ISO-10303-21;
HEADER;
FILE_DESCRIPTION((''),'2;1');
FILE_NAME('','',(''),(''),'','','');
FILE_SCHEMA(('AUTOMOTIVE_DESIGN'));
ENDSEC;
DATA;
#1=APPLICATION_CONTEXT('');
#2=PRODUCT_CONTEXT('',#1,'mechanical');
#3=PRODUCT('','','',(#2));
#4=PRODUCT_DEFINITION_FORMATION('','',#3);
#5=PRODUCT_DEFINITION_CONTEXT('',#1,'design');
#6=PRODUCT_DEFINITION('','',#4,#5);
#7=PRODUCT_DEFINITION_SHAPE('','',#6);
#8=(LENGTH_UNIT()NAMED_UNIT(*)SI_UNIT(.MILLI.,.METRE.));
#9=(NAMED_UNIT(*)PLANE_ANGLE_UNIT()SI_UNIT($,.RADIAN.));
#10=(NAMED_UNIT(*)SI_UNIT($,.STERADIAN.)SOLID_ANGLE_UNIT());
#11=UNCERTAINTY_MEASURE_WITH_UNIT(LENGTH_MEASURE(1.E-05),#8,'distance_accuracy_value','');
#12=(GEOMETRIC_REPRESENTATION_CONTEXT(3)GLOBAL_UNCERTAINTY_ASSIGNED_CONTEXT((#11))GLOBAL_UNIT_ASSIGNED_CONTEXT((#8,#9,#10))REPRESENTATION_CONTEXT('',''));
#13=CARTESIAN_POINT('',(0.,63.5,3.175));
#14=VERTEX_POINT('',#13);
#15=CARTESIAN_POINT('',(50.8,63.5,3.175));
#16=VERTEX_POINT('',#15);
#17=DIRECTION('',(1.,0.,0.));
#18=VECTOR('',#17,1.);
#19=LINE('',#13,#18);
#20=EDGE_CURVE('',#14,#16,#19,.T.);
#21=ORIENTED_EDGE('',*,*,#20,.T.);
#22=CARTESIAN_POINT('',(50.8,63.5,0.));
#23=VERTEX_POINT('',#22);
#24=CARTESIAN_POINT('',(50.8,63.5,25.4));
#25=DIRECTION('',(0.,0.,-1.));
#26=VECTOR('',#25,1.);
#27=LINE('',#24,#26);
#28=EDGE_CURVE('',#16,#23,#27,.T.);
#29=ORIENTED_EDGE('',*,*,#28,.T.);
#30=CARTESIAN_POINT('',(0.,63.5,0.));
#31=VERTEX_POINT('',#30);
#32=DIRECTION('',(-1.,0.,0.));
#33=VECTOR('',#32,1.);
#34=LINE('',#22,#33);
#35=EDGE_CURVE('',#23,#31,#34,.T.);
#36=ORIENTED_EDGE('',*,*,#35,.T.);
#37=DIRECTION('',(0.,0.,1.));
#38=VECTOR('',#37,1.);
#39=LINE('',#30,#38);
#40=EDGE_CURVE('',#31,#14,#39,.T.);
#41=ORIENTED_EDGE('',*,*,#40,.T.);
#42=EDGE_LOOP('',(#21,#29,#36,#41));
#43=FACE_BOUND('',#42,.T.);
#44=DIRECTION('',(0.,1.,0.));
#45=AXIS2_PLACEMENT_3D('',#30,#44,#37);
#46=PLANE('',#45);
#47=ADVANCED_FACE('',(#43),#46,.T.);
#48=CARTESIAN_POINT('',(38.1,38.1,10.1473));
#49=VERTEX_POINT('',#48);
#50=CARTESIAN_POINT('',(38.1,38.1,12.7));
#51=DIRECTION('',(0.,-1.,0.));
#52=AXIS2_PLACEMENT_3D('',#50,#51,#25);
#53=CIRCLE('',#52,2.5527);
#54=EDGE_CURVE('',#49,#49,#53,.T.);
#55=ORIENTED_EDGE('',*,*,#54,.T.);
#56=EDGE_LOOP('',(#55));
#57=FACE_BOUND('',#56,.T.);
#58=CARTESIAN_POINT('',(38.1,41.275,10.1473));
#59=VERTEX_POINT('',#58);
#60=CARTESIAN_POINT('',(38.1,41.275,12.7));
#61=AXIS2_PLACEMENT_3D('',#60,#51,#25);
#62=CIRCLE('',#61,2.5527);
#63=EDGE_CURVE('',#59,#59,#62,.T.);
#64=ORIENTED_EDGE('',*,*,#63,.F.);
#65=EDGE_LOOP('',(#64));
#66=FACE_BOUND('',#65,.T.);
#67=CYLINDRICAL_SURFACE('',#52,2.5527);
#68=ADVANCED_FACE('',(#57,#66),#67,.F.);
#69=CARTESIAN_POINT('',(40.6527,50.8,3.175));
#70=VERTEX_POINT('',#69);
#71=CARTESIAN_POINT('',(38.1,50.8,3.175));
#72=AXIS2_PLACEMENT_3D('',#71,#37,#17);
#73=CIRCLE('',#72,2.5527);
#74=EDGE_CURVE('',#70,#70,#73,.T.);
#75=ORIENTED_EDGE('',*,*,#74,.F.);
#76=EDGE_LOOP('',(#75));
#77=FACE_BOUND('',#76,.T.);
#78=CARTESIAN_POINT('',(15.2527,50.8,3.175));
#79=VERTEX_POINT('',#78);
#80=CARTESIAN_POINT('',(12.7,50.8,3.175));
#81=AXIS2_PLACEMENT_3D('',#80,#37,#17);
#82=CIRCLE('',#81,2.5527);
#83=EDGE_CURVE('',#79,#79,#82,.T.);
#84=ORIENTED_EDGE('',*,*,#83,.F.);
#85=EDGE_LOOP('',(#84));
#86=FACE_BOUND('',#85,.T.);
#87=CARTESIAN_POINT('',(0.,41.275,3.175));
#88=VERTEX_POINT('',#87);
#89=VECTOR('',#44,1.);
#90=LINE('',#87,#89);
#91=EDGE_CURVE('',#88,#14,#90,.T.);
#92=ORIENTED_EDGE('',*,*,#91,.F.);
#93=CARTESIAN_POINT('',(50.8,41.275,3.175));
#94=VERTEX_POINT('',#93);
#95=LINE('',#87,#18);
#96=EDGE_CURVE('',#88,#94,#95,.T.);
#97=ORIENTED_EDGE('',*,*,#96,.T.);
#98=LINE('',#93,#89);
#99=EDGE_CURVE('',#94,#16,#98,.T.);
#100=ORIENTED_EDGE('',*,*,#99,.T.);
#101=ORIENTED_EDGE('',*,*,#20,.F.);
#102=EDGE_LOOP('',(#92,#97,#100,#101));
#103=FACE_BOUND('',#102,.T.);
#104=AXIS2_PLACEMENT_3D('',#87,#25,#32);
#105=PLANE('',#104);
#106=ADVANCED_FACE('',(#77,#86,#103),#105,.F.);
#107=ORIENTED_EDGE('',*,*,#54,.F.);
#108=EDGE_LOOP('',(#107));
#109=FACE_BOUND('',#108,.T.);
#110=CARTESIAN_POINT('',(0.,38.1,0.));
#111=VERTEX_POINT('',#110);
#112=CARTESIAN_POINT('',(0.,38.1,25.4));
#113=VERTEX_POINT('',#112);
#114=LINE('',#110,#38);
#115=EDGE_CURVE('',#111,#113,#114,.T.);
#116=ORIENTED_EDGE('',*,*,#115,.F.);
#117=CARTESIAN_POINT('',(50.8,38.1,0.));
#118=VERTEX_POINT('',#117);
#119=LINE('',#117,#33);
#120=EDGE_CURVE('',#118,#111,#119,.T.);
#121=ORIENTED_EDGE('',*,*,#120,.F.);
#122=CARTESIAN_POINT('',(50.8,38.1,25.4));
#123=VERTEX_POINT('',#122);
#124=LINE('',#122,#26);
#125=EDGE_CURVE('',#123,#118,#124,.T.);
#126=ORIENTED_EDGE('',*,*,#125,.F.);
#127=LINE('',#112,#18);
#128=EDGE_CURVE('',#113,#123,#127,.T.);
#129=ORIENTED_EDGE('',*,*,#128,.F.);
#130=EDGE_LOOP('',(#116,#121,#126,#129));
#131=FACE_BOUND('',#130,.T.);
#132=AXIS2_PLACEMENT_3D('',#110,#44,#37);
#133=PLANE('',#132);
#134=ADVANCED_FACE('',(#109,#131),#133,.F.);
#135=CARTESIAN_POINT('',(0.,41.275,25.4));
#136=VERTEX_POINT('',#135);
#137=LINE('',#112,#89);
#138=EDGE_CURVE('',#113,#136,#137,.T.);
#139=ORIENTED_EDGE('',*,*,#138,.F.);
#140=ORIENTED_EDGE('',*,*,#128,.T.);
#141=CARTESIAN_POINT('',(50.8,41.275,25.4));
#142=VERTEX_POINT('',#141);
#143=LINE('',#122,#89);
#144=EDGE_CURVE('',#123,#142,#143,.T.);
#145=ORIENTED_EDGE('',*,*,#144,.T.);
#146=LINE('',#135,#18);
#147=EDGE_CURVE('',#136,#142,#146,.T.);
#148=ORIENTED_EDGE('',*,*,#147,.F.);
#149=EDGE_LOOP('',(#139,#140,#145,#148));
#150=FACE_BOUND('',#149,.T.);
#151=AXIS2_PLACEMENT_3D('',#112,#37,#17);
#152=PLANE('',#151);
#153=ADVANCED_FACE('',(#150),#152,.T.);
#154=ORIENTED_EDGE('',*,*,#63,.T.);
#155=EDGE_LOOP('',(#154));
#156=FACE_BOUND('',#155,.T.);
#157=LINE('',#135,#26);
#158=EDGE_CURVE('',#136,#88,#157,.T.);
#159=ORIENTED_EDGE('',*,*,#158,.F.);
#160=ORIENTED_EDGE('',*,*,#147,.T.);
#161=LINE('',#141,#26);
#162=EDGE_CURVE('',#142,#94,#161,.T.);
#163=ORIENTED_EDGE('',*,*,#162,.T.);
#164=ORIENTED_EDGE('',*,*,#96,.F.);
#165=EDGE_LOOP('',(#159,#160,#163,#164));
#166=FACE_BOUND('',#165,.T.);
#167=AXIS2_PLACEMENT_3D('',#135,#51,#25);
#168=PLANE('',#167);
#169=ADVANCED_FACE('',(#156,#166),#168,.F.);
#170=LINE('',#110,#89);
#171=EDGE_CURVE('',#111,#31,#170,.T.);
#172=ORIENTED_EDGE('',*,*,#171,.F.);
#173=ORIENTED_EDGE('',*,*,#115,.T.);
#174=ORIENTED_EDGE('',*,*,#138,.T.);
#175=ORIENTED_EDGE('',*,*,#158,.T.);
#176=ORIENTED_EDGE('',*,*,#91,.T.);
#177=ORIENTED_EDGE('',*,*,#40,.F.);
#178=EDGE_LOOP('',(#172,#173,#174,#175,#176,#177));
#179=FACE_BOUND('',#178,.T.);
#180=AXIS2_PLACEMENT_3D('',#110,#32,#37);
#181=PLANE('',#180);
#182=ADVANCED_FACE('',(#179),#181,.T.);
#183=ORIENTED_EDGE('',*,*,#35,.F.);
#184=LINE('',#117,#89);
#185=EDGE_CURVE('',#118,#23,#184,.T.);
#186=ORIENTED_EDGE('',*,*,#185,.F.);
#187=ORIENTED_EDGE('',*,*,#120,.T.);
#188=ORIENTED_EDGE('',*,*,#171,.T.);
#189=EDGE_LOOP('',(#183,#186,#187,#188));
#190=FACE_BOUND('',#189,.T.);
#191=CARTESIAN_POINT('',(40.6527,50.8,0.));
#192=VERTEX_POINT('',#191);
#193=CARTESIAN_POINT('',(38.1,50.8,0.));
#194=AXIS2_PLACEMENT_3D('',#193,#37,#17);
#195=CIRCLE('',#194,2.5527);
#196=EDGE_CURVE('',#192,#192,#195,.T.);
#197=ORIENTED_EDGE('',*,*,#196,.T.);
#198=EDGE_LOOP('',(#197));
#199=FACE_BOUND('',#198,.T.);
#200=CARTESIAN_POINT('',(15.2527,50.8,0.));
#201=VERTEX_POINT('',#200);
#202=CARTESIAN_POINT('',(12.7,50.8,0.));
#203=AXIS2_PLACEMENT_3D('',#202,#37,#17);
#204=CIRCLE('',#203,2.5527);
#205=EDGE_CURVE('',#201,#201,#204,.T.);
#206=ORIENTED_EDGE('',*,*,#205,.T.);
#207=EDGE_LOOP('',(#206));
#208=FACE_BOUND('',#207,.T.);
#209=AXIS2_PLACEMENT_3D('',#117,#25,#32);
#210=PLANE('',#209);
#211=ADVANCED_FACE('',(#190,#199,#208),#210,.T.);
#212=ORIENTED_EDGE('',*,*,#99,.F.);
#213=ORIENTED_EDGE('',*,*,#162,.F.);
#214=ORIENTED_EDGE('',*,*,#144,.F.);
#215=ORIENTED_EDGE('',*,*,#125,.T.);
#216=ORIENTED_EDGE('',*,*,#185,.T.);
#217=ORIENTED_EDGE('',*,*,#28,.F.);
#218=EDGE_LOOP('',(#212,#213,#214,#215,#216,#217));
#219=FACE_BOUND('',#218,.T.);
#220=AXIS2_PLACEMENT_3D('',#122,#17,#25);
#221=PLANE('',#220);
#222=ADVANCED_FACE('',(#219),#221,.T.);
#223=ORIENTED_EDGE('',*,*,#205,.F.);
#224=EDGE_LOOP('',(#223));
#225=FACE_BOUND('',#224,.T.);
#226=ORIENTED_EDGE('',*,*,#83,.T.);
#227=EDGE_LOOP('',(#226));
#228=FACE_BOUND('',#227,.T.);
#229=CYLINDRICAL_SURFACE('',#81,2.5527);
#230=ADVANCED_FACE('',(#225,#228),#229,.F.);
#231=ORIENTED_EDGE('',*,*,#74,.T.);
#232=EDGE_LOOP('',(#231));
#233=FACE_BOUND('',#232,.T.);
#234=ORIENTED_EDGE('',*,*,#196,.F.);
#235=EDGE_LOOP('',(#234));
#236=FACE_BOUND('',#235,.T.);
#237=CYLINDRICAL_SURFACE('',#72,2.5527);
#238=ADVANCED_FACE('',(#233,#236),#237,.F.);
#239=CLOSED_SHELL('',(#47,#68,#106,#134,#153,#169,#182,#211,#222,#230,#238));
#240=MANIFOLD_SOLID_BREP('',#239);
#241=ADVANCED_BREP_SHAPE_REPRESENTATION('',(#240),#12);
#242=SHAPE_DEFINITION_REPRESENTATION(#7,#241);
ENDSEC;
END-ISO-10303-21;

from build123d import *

# Parameters (mm, degrees)
SKETCH1_W                      = 50.8
SKETCH1_H                      = 25.4
BOSS_EXTRUDE1_DEPTH            = 25.4
SKETCH2_W                      = 22.225
SKETCH2_H                      = 22.225
CUT_EXTRUDE1_DEPTH             = 86.194189943
F_7_0_201_DIAMETER_HOLE1_D     = 5.1054
F_7_0_201_DIAMETER_HOLE1_DEPTH = 25.4
F_7_0_201_DIAMETER_HOLE2_D     = 5.1054


with BuildPart() as part:
    # Sketch1 → Boss-Extrude1 (new body)
    with BuildSketch(Plane(origin=(0, 63.5, 0), x_dir=(1, 0, 0), z_dir=(0, 1, 0))):
        with Locations((25.4, -12.7)):
            Rectangle(SKETCH1_W, SKETCH1_H)
    extrude(amount=-BOSS_EXTRUDE1_DEPTH)

    # Sketch2 → Cut-Extrude1 (cut, through all)
    with BuildSketch(Plane(origin=(50.8, 0, 0), x_dir=(0, 0, -1), z_dir=(1, 0, 0))):
        with Locations((-14.2875, 52.3875)):
            Rectangle(SKETCH2_W, SKETCH2_H)
    extrude(amount=-CUT_EXTRUDE1_DEPTH, mode=Mode.SUBTRACT)

    # #7 (0.201) Diameter Hole1
    with Locations(Plane.XZ.offset(-38.1)):
        with Locations((-12.7, -12.7), (38.1, 12.7)):
            Hole(F_7_0_201_DIAMETER_HOLE1_D / 2, depth=F_7_0_201_DIAMETER_HOLE1_DEPTH)

    # #7 (0.201) Diameter Hole2 (through all)
    with Locations(Plane.XY.offset(3.175)):
        with Locations((38.1, 50.8), (12.7, 50.8)):
            Hole(F_7_0_201_DIAMETER_HOLE2_D / 2)


solid = part.part
